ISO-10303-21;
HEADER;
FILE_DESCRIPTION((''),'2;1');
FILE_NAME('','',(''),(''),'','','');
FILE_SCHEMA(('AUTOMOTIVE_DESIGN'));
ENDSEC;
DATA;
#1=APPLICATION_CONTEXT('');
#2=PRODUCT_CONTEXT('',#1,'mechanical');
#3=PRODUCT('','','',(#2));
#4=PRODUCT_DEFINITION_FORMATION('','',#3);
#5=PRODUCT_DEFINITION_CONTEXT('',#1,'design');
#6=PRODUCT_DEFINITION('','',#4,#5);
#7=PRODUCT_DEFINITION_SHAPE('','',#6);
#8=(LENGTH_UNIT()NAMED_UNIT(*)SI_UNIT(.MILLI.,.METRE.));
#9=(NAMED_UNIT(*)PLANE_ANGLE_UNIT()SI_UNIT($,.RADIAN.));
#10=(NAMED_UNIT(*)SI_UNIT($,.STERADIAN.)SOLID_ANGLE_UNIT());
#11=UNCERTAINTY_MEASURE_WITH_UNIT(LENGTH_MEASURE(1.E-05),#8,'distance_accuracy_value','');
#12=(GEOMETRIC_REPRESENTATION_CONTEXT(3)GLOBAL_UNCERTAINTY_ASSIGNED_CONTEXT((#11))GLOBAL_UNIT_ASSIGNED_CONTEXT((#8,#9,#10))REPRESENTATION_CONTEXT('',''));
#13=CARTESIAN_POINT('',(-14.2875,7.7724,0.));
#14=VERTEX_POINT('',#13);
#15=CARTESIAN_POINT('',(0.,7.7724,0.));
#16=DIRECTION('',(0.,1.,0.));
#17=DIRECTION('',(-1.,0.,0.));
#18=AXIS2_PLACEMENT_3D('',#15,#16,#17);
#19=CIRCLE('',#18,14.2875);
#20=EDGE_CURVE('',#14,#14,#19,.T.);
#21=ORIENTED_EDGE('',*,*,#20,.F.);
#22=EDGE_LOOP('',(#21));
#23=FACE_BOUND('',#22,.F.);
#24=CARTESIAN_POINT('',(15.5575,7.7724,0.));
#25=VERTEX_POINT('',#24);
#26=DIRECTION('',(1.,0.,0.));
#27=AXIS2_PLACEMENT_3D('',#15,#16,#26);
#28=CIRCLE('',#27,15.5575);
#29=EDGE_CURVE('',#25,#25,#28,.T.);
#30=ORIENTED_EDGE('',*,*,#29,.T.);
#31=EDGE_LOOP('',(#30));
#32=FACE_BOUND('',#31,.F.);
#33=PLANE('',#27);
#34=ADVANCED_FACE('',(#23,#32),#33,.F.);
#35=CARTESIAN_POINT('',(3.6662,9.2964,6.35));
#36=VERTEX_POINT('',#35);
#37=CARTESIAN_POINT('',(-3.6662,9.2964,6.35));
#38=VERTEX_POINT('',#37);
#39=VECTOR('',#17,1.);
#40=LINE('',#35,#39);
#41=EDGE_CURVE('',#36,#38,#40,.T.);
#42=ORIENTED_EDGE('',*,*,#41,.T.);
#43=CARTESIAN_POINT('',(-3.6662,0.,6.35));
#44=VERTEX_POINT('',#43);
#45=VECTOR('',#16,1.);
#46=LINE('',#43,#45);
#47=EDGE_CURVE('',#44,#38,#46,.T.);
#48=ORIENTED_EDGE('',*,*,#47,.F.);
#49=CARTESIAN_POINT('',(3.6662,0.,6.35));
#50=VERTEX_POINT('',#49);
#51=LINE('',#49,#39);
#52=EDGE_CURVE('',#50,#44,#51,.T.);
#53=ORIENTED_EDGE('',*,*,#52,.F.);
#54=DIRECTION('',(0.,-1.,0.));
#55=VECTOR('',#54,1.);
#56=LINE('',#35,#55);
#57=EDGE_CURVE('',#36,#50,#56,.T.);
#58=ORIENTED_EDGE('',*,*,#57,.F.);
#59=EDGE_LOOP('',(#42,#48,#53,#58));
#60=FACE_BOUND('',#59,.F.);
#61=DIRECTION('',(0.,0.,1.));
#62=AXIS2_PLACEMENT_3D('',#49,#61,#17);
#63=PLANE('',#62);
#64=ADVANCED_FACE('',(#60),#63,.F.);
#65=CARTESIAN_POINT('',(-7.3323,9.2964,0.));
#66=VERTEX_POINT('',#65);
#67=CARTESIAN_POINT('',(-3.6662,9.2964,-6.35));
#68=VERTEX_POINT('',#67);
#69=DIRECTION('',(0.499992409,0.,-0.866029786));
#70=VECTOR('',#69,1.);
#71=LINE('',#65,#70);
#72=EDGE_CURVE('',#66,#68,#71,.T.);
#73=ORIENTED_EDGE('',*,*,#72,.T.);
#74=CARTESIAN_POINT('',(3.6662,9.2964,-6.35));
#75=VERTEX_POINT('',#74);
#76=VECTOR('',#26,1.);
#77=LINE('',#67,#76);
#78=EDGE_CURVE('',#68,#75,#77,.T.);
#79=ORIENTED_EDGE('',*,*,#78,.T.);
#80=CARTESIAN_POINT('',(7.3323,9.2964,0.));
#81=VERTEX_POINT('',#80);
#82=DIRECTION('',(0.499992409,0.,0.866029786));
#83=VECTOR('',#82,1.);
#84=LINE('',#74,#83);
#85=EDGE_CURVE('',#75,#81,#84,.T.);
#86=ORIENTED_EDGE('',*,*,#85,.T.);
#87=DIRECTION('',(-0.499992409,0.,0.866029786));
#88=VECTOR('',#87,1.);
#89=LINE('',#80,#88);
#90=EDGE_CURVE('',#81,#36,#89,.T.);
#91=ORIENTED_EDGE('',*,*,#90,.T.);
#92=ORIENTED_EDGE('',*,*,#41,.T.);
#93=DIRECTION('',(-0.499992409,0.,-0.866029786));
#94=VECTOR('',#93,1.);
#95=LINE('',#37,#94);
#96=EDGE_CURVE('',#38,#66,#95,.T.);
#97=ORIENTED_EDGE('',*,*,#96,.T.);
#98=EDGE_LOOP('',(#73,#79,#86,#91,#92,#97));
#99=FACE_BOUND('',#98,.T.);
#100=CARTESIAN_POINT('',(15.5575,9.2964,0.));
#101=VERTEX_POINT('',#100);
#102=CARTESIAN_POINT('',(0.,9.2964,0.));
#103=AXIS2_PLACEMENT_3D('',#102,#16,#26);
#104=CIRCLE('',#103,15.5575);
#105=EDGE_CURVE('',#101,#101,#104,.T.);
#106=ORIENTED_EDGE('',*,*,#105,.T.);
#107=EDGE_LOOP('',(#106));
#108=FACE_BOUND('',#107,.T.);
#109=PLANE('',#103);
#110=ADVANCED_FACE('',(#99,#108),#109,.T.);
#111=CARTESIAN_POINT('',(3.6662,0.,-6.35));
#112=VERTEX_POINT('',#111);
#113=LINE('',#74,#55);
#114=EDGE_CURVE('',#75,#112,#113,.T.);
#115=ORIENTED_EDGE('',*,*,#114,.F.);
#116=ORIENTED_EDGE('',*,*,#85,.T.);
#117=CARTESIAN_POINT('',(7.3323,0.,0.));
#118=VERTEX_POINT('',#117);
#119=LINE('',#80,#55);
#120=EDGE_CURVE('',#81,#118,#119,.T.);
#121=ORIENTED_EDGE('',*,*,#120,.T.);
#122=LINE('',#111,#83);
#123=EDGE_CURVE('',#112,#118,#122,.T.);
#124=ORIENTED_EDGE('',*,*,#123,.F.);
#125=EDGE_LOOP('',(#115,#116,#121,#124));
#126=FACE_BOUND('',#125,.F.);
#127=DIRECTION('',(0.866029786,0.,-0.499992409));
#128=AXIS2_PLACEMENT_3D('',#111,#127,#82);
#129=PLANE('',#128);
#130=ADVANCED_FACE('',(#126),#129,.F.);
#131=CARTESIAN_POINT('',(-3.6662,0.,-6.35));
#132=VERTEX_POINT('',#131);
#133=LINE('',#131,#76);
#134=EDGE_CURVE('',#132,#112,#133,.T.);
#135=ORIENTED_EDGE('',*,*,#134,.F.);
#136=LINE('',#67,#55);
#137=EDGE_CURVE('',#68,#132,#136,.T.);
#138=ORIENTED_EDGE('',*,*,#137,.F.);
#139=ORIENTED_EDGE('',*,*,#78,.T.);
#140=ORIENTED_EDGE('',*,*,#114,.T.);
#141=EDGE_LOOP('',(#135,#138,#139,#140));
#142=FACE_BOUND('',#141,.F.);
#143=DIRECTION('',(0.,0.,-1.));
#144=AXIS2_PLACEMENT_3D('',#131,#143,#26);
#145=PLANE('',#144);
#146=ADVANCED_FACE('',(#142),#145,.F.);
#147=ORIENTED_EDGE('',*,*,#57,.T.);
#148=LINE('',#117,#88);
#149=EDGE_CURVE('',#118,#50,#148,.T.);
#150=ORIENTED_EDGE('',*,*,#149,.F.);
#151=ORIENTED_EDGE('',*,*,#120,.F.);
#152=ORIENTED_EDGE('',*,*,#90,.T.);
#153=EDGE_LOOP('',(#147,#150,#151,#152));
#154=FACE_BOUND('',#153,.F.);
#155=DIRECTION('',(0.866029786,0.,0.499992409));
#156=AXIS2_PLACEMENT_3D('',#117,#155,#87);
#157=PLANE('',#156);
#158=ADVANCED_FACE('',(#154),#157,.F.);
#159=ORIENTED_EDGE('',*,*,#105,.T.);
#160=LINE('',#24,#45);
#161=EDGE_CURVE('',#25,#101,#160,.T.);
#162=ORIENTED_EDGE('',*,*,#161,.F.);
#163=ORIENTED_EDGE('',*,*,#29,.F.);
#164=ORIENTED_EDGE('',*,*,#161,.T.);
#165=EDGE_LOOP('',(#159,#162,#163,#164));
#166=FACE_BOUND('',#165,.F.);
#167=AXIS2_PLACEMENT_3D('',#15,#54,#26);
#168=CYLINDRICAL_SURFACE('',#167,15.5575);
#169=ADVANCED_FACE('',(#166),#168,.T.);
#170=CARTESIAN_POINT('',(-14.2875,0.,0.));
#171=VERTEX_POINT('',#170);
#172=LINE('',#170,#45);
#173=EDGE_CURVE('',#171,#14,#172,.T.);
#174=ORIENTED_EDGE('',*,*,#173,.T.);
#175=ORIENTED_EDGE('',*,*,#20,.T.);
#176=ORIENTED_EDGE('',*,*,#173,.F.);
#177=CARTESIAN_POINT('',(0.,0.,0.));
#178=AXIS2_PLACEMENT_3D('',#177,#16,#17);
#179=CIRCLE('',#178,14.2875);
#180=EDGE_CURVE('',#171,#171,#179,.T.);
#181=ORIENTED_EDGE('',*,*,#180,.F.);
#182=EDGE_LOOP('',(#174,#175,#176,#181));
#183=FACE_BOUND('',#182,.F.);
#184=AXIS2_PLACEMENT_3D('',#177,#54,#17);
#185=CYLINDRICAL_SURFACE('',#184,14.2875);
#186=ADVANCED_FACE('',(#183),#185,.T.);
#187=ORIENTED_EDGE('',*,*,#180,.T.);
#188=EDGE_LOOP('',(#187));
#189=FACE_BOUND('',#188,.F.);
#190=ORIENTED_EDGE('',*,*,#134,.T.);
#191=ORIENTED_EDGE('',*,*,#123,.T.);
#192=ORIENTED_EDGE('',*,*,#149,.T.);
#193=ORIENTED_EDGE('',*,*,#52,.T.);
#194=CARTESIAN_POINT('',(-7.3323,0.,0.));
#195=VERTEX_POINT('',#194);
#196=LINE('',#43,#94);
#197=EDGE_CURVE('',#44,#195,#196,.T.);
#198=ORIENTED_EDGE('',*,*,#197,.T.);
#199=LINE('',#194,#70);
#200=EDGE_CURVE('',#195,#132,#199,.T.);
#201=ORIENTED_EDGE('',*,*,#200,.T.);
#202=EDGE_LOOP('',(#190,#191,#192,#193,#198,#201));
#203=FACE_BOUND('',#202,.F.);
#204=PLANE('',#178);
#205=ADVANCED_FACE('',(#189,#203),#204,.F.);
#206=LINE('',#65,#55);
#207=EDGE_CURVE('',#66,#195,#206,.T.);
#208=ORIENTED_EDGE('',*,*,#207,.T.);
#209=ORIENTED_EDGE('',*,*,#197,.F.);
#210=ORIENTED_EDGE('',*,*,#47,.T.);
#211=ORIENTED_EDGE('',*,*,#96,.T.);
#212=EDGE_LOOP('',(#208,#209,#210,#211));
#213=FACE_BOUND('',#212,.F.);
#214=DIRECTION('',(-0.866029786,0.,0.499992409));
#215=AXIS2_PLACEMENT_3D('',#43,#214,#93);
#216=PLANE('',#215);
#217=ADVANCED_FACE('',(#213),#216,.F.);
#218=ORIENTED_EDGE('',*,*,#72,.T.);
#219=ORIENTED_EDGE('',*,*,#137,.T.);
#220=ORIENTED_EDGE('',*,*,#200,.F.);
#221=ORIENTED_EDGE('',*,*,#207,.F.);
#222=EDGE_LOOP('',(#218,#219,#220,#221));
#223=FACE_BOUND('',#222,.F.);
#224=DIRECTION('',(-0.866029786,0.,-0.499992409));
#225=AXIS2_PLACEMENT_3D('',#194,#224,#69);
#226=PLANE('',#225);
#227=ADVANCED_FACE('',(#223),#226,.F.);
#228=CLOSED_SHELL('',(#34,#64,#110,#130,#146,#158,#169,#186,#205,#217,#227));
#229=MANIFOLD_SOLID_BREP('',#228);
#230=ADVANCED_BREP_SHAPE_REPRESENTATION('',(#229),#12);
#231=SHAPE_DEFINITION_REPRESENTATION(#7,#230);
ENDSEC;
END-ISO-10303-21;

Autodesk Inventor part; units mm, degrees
ref_plane "YZ Plane" through (0, 0, 0) normal (1, 0, 0) x (0, 1, 0)
ref_plane "XZ Plane" through (0, 0, 0) normal (0, 1, 0) x (-1, 0, 0)
ref_plane "XY Plane" through (0, 0, 0) normal (0, 0, 1) x (1, 0, 0)
sketch "Sketch1" plane through (0, 0, 0) normal (0, 1, 0) x (-1, 0, 0)
  circle A0 centre (0, 0) radius 14.2875
  line L0 (3.6662, 6.35) -> (7.3323, 0)
  line L1 (7.3323, 0) -> (3.6662, -6.35)
  line L2 (3.6662, -6.35) -> (-3.6662, -6.35)
  line L3 (-3.6662, -6.35) -> (-7.3323, 0)
  line L4 (-7.3323, 0) -> (-3.6662, 6.35)
  line L5 (-3.6662, 6.35) -> (3.6662, 6.35)
  dimension "d0" = 28.575
  dimension "d1" = 12.7
extrude "Extrusion1" add sketch "Sketch1" along normal blind 7.7724
sketch "Sketch2" plane through (0, 7.7724, 0) normal (0, 1, 0) x (1, 0, 0)
  circle A0 centre (0, 0) radius 15.5575
  line L0 (-3.6662, 6.35) -> (3.6662, 6.35) projected
  line L1 (-3.6662, 6.35) -> (3.6662, 6.35)
  line L2 (3.6662, 6.35) -> (7.3323, 0)
  line L3 (7.3323, 0) -> (3.6662, -6.35)
  line L4 (3.6662, -6.35) -> (-3.6662, -6.35)
  line L5 (-3.6662, -6.35) -> (-7.3323, 0)
  line L6 (-7.3323, 0) -> (-3.6662, 6.35)
  dimension "d4" = 31.115
extrude "Extrusion2" add sketch "Sketch2" along normal blind 1.524
properties part number "hex bearing" material "Steel"
